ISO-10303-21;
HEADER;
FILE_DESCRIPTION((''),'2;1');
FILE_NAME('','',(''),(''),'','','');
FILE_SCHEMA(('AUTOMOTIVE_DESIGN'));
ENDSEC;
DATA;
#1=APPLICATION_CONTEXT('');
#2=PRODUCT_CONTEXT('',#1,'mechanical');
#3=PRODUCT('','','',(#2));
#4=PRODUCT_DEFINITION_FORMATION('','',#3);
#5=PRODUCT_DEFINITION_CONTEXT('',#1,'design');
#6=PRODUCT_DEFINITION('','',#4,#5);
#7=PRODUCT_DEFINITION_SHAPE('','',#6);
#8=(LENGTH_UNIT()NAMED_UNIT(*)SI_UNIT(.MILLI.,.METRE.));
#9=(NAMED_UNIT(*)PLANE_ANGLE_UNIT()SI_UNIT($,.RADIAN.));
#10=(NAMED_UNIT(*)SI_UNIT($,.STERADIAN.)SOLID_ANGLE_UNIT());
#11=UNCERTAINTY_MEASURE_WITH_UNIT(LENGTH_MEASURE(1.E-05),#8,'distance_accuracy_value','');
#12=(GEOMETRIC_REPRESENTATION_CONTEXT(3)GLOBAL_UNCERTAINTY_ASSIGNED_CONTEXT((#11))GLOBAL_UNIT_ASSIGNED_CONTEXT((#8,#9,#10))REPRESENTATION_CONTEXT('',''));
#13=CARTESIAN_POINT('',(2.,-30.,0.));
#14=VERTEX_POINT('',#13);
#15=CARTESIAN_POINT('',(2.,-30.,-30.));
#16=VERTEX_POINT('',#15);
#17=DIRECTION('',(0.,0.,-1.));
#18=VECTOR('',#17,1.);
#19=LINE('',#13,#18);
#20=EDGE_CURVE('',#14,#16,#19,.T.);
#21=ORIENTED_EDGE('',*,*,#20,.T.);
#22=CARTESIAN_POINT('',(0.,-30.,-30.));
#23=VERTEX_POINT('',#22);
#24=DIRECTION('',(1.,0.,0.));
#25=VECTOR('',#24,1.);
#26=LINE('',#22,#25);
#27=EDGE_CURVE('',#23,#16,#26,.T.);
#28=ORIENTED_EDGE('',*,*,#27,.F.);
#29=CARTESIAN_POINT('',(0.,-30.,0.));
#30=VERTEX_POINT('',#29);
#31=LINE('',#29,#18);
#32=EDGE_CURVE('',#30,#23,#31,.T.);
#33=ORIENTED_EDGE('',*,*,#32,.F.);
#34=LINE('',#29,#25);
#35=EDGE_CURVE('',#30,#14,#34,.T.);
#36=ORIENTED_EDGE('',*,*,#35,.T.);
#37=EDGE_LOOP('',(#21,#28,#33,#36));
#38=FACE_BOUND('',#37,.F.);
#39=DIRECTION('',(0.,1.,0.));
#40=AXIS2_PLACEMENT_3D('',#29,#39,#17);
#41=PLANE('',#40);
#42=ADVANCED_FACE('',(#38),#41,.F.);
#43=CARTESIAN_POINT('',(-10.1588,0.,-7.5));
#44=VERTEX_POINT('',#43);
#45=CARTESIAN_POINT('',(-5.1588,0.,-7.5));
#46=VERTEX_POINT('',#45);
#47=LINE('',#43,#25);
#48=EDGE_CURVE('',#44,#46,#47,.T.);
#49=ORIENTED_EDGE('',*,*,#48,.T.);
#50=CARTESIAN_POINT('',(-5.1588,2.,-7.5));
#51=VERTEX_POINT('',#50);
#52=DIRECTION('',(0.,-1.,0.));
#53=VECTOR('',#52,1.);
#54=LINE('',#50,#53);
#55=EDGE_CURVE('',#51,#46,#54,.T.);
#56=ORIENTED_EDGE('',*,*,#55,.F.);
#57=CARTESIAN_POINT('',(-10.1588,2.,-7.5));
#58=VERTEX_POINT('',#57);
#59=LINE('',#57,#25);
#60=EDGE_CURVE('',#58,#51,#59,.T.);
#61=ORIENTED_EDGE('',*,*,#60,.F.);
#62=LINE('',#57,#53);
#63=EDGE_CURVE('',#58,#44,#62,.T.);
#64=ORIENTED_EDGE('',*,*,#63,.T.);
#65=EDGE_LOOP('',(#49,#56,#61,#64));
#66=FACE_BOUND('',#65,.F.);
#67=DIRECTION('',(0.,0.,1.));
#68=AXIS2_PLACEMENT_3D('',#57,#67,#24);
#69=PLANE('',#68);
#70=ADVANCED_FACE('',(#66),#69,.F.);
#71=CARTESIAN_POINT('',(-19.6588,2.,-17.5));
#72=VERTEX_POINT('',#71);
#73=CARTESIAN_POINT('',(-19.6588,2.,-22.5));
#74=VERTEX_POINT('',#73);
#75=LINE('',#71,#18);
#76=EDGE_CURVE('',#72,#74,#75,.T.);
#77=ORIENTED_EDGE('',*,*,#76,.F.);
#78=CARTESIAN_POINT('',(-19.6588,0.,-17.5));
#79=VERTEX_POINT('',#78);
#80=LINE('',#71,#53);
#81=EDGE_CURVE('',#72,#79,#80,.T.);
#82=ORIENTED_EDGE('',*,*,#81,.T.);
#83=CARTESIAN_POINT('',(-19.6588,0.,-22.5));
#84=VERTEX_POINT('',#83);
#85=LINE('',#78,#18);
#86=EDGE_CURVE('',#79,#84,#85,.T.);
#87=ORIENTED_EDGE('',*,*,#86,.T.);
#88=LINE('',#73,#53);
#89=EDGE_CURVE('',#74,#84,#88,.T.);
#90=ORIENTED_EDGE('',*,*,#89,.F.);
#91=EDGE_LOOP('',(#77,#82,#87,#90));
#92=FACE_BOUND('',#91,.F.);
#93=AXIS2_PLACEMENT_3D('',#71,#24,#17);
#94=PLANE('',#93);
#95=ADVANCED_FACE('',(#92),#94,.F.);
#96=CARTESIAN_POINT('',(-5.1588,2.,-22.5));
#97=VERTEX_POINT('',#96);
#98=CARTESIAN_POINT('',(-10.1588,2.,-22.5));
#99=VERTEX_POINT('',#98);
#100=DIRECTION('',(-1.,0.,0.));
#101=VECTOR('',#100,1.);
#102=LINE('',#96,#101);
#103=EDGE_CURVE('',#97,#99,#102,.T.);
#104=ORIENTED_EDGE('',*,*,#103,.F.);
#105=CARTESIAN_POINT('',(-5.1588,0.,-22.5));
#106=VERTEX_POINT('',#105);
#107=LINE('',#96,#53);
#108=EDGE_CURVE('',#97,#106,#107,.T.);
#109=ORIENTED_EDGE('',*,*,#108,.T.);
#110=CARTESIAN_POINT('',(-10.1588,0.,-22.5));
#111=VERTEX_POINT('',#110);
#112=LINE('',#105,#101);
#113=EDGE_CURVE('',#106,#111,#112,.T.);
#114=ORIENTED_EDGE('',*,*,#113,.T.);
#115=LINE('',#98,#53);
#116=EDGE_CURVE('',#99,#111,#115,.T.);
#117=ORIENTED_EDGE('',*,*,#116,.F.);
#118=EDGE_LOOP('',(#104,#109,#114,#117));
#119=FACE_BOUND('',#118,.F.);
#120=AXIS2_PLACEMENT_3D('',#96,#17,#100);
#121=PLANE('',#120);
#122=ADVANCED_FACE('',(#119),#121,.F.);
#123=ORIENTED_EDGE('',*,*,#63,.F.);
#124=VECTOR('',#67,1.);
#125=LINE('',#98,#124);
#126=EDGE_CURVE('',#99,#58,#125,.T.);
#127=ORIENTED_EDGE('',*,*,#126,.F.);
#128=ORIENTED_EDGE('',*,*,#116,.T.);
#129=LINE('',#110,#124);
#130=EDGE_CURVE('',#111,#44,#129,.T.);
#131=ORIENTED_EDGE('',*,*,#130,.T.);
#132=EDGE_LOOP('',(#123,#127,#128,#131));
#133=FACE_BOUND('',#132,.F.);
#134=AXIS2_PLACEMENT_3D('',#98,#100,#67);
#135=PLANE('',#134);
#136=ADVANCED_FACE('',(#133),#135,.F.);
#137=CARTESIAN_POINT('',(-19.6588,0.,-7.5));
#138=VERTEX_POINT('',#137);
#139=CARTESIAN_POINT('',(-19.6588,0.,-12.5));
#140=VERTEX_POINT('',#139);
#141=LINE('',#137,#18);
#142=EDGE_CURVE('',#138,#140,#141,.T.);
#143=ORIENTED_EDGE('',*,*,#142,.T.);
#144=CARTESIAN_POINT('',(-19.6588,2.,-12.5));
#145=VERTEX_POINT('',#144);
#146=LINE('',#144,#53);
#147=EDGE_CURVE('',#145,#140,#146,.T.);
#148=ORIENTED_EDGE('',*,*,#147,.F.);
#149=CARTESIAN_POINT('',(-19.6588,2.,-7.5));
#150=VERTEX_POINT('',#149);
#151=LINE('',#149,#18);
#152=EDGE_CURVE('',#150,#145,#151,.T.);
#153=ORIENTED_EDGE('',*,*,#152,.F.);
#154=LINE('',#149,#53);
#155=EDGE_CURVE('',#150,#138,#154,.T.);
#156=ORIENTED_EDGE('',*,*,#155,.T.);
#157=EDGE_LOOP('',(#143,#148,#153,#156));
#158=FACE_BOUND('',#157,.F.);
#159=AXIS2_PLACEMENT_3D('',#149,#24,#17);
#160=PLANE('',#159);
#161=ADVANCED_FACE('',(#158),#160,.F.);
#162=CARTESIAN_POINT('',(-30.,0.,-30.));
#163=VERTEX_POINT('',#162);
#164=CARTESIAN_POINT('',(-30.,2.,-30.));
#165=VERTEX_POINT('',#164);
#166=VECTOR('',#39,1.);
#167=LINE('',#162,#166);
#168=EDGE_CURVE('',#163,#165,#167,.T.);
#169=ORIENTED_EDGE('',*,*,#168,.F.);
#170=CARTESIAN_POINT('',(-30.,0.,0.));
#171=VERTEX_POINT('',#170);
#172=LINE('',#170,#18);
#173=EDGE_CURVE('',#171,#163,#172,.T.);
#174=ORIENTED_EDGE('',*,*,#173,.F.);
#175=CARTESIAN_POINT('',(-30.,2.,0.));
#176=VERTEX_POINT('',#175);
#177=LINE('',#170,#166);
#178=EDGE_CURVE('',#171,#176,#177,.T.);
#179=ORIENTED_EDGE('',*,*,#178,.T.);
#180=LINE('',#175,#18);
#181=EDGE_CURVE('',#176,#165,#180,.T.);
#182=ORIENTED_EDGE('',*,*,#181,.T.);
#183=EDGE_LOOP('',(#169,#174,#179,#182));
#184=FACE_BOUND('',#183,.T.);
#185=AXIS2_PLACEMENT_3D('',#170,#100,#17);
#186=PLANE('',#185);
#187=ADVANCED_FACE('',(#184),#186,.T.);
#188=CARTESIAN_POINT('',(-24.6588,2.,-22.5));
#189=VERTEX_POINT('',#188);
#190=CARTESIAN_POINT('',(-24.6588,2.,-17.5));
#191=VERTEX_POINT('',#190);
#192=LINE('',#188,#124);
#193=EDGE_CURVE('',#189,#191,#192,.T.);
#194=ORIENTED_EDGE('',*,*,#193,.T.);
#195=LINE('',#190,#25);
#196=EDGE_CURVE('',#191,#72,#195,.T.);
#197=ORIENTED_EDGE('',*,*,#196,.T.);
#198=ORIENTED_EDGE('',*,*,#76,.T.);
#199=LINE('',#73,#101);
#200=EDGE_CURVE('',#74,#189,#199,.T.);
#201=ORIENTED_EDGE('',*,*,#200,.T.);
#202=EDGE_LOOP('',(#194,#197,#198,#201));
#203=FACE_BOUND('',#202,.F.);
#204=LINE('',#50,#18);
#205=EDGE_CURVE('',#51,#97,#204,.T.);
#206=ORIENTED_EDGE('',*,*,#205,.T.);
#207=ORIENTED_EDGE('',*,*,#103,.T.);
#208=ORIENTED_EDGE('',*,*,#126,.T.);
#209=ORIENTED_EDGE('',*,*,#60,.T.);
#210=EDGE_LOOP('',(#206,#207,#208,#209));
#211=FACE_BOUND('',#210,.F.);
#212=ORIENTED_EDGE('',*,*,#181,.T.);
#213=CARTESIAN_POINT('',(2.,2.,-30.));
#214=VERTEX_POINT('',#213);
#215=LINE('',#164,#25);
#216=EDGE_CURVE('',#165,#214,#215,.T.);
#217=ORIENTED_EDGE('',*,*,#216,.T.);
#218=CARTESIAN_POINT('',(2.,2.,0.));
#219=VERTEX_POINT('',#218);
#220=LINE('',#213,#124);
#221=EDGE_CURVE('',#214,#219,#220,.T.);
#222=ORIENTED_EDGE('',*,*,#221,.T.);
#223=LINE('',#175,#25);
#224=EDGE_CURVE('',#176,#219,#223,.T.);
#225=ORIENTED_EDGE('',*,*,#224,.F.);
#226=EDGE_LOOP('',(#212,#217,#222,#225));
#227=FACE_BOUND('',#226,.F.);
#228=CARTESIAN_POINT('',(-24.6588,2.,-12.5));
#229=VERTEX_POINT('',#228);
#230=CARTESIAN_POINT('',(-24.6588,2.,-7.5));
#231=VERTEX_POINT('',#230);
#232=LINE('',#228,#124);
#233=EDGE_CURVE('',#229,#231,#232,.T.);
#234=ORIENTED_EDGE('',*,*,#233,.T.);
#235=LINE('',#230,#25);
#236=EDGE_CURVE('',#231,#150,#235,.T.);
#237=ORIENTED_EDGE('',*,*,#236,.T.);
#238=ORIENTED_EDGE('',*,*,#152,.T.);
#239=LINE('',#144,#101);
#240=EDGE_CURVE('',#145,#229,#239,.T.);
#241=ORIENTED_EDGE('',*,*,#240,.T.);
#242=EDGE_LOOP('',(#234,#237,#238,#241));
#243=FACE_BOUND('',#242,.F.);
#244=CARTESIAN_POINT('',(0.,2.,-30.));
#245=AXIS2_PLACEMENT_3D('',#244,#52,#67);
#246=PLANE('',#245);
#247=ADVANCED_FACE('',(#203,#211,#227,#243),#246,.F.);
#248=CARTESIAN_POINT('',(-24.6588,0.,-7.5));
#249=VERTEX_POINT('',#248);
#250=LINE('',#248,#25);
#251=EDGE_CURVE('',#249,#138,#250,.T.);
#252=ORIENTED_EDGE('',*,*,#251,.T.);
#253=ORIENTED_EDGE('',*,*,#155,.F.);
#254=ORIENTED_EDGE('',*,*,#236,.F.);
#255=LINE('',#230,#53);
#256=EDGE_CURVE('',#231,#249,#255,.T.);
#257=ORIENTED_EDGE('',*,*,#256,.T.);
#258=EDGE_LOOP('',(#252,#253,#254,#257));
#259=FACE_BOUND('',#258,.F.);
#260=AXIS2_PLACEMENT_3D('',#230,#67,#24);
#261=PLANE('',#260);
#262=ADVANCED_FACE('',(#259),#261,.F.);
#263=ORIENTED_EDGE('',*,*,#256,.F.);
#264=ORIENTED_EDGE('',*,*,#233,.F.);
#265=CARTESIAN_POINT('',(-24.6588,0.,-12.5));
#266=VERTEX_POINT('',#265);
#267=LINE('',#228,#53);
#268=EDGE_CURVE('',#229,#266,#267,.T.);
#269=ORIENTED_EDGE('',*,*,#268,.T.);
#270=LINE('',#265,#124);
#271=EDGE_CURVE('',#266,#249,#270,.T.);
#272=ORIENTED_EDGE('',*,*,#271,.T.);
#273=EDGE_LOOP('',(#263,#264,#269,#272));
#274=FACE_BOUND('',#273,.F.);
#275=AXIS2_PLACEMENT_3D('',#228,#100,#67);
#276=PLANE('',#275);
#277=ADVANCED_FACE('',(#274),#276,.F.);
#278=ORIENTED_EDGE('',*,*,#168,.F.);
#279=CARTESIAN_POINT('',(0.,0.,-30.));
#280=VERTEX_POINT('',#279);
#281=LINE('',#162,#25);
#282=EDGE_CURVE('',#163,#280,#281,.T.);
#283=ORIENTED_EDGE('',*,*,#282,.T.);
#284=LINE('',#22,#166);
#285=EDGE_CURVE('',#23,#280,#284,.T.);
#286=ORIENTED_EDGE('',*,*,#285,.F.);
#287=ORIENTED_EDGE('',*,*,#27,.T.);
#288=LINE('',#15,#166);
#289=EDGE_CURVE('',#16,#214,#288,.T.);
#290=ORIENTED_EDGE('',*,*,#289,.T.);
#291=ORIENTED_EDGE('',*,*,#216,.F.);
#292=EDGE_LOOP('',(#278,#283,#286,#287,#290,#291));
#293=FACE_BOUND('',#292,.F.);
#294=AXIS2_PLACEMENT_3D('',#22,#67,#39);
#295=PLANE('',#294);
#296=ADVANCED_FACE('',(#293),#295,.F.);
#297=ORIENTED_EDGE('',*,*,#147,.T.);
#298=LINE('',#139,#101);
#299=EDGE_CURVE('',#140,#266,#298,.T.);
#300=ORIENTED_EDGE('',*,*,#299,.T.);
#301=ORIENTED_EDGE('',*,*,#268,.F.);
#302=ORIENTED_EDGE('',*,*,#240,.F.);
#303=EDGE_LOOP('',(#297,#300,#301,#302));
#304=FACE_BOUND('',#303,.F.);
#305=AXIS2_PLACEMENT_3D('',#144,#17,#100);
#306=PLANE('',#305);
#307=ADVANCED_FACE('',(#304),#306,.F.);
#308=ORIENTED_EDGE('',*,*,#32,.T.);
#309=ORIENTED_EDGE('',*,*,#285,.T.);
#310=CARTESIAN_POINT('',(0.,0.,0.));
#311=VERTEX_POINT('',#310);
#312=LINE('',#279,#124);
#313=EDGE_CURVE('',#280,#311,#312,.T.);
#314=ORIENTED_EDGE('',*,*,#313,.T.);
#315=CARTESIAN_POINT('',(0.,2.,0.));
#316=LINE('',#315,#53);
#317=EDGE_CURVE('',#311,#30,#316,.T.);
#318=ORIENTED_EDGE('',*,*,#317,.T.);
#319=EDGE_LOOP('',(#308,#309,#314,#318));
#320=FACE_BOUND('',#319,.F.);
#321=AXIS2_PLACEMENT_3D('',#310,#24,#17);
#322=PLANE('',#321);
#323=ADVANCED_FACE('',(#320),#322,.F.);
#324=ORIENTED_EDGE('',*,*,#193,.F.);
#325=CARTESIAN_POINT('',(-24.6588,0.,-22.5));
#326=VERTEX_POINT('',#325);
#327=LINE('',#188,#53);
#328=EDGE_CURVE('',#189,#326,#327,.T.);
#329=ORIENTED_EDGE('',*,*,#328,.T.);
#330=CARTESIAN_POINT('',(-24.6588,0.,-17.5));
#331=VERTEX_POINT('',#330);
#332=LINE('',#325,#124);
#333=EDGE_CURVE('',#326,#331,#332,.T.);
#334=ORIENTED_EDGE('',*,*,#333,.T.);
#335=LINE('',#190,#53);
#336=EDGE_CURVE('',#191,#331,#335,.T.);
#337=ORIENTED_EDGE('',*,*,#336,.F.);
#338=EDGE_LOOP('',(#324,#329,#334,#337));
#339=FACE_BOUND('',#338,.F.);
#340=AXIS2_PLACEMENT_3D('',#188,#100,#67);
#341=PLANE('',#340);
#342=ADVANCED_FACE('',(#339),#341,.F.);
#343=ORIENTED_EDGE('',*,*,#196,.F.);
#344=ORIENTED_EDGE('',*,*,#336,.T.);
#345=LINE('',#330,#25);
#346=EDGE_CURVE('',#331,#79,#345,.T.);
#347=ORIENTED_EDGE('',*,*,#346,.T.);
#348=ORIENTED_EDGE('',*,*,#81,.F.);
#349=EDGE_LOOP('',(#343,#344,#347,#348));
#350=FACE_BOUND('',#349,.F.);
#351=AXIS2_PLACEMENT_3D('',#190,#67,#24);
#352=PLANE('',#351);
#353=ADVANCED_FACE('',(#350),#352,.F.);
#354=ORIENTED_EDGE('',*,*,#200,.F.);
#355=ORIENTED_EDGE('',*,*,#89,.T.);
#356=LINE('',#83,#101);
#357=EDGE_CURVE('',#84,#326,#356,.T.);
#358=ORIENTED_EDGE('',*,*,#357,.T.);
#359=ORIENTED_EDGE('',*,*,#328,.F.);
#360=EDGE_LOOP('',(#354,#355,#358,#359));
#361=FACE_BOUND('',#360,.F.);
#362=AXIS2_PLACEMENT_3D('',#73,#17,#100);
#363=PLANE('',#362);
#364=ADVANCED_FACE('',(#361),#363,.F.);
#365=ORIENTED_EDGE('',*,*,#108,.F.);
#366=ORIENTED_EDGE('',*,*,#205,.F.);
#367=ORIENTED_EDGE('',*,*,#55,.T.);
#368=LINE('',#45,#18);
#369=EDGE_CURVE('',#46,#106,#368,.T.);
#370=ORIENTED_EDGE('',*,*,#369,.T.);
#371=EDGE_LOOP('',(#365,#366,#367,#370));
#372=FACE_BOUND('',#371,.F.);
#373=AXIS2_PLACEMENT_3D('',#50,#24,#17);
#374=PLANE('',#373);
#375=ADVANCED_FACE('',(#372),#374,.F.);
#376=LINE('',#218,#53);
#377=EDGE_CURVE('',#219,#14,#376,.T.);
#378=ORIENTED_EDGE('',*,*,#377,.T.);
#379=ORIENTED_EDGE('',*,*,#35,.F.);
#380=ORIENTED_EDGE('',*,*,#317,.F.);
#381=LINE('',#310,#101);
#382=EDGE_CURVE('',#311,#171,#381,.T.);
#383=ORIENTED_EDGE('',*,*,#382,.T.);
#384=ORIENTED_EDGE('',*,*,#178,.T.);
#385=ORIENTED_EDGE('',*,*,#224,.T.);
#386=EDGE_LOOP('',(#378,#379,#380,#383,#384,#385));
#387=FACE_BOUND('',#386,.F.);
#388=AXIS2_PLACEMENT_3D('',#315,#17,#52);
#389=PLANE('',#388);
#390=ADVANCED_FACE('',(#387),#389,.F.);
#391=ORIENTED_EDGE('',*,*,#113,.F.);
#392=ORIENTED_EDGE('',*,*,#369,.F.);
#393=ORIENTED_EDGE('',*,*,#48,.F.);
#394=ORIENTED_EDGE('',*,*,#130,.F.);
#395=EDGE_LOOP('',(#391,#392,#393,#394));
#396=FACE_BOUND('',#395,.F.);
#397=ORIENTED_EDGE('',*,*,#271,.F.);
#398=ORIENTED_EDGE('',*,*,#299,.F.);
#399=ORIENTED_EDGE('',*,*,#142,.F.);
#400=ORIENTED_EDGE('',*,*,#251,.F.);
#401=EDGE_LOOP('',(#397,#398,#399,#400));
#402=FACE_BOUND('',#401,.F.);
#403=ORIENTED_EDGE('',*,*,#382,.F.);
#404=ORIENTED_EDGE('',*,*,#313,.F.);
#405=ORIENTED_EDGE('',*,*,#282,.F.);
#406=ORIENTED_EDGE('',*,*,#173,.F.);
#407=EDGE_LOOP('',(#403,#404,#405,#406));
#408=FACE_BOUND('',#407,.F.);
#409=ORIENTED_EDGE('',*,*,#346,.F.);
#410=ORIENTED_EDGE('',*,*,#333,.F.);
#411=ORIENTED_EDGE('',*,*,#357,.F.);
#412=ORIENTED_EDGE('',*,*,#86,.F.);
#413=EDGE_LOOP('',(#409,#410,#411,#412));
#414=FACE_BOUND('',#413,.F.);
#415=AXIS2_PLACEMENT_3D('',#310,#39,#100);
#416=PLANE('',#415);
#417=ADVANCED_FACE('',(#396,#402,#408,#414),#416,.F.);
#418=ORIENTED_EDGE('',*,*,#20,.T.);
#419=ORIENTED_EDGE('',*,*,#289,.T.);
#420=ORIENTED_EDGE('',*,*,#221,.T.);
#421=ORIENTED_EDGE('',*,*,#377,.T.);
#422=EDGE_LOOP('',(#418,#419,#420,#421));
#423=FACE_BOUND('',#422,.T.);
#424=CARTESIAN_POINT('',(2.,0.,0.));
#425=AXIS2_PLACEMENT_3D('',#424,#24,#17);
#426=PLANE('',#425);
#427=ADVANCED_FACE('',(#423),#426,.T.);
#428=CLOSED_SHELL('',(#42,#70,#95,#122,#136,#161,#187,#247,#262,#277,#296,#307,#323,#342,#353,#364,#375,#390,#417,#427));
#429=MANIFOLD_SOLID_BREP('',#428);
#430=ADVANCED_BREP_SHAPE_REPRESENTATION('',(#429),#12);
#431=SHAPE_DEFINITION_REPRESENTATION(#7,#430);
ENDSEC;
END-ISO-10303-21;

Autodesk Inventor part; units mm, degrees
ref_plane "YZ Plane" through (0, 0, 0) normal (1, 0, 0) x (0, 1, 0)
ref_plane "XZ Plane" through (0, 0, 0) normal (0, 1, 0) x (-1, 0, 0)
ref_plane "XY Plane" through (0, 0, 0) normal (0, 0, 1) x (1, 0, 0)
sketch "Sketch1" plane through (0, 0, 0) normal (0, 1, 0) x (-1, 0, 0)
  line L0 (0, 0) -> (30, 0)
  line L1 (30, 0) -> (30, -30)
  line L2 (30, -30) -> (0, -30)
  line L3 (0, -30) -> (0, 0)
  dimension "d0" = 30
  dimension "d1" = 30
extrude "Extrusion1" add sketch "Sketch1" along normal blind 2
sketch "Sketch2" plane through (0, 2, 0) normal (0, 1, 0) x (1, 0, 0)
  line L0 (-24.6588, 7.5) -> (-19.6588, 7.5)
  line L1 (-19.6588, 7.5) -> (-19.6588, 12.5)
  line L2 (-19.6588, 12.5) -> (-24.6588, 12.5)
  line L3 (-24.6588, 12.5) -> (-24.6588, 7.5)
  line L4 (-30, 0) -> (0, 0) projected
  line L5 (-24.6588, 17.5) -> (-19.6588, 17.5)
  line L6 (-19.6588, 17.5) -> (-19.6588, 22.5)
  line L7 (-19.6588, 22.5) -> (-24.6588, 22.5)
  line L8 (-24.6588, 22.5) -> (-24.6588, 17.5)
  line L9 (-10.1588, 7.5) -> (-5.1588, 7.5)
  line L10 (-5.1588, 7.5) -> (-5.1588, 22.5)
  line L11 (-5.1588, 22.5) -> (-10.1588, 22.5)
  line L12 (-10.1588, 22.5) -> (-10.1588, 7.5)
  dimension "d4" = 5
  dimension "d5" = 5
  dimension "d6" = 7.5
  dimension "d7" = 5
  dimension "d8" = 5
  dimension "d9" = 5
  dimension "d10" = 9.5
extrude "Extrusion2" cut sketch "Sketch2" against normal blind 2
sketch "Sketch3" plane through (0, 0, 0) normal (1, 0, 0) x (0, 0, -1)
  line L0 (30, 2) -> (0, 2) projected
  line L1 (30, 2) -> (0, 2)
  line L2 (0, 2) -> (0, -30)
  line L3 (0, -30) -> (30, -30)
  line L4 (30, -30) -> (30, 2)
  dimension "d15" = 32
extrude "Extrusion3" add sketch "Sketch3" along normal blind 2
properties part number "Head"
